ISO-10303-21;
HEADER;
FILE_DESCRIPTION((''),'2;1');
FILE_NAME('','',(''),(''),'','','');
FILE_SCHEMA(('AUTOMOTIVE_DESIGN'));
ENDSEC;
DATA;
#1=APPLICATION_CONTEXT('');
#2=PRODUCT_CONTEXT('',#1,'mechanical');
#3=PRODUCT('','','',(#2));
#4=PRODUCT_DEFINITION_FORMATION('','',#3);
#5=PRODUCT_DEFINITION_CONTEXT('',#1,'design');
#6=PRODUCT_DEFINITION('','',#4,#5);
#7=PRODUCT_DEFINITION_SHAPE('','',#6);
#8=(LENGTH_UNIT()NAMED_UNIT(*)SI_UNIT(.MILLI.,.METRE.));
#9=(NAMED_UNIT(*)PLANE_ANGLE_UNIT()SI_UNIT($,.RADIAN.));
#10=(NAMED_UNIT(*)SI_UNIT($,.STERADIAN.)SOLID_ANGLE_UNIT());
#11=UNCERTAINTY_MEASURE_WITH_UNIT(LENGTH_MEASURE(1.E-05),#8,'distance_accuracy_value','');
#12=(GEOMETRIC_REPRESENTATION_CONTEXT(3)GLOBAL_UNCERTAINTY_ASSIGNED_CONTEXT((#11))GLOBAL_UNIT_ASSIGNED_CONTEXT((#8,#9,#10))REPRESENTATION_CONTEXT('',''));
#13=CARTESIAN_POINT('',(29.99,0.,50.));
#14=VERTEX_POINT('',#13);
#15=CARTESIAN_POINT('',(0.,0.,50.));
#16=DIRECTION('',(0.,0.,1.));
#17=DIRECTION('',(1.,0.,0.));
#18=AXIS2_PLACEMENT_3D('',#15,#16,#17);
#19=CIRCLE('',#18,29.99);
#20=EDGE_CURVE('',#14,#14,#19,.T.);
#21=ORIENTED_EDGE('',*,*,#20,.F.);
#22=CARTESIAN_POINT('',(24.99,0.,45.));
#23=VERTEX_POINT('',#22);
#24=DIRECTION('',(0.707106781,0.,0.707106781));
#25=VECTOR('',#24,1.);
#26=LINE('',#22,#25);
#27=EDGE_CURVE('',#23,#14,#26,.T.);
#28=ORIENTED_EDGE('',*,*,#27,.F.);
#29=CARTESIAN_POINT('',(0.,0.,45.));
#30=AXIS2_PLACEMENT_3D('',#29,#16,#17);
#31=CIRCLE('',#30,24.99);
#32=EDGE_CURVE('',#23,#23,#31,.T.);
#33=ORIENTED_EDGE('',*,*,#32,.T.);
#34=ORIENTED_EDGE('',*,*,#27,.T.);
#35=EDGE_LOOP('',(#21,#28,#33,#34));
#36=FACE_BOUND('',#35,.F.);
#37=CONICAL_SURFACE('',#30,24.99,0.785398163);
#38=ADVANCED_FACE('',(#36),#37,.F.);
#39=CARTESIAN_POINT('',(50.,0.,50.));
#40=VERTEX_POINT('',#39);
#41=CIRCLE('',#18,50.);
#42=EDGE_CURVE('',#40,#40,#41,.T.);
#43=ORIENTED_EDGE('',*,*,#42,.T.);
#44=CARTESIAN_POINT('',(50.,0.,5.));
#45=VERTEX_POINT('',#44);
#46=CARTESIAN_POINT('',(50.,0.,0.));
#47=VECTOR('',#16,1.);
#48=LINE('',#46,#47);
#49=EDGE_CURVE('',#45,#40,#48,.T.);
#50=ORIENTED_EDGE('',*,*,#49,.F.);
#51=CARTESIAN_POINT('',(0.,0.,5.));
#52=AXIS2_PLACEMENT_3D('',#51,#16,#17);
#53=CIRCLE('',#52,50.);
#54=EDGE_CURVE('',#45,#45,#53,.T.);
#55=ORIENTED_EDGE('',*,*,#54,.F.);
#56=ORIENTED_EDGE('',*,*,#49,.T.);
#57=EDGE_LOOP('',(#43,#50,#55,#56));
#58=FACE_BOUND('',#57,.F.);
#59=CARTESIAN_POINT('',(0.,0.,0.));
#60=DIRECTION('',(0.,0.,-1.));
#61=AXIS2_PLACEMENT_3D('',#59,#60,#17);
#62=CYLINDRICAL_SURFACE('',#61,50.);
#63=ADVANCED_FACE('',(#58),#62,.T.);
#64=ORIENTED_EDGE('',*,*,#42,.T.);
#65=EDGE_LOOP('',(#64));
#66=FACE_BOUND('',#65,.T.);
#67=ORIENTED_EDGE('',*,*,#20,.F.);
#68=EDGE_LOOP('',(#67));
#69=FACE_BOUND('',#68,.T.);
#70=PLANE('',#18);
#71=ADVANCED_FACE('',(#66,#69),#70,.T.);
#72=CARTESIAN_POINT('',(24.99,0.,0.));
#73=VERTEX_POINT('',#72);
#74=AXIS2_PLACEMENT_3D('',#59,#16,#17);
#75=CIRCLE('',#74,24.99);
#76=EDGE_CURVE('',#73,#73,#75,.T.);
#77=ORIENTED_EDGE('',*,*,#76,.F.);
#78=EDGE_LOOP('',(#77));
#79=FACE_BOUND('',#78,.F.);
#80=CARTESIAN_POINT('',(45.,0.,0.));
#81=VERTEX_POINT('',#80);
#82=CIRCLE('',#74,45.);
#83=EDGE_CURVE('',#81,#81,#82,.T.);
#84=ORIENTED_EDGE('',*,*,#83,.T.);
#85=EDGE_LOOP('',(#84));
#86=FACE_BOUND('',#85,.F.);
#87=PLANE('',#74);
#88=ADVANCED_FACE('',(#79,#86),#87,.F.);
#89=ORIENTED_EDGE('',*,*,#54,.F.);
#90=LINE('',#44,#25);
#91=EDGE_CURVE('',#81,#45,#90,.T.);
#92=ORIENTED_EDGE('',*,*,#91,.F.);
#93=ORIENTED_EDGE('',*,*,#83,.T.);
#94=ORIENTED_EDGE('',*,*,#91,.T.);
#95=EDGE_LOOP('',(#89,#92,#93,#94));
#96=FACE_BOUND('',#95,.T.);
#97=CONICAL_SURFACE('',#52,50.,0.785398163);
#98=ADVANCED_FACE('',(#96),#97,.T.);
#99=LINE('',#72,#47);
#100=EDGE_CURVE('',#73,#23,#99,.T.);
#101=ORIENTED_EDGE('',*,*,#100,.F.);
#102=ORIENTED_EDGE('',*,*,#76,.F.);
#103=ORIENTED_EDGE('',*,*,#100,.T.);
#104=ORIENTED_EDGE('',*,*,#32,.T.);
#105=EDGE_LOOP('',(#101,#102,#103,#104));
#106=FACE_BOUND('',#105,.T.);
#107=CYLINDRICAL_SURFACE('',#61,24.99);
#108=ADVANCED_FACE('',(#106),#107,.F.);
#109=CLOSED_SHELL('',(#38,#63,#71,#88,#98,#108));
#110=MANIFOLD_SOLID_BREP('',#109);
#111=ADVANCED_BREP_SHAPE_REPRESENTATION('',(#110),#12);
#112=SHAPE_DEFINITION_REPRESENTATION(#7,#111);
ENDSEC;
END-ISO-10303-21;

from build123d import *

# Parameters (mm, degrees)
F0_R     = 50
F0_R_2   = 24.99
F1_DEPTH = 50
F2_SIZE  = 5
F3_SIZE  = 5


with BuildPart() as f1:
    # F0 (on Top) → F1 (new body)
    with BuildSketch(Plane.XY):
        Circle(F0_R)
        Circle(F0_R_2, mode=Mode.SUBTRACT)
    extrude(amount=F1_DEPTH)

    # F2
    f2_edges = [f1.edges().sort_by_distance(p)[0] for p in [
        (-24.99, 0, 50),
    ]]
    chamfer(f2_edges, length=F2_SIZE)

    # F3
    f3_edges = [f1.edges().sort_by_distance(p)[0] for p in [
        (-50, 0, 0),
    ]]
    chamfer(f3_edges, length=F3_SIZE)


solid = f1.part
